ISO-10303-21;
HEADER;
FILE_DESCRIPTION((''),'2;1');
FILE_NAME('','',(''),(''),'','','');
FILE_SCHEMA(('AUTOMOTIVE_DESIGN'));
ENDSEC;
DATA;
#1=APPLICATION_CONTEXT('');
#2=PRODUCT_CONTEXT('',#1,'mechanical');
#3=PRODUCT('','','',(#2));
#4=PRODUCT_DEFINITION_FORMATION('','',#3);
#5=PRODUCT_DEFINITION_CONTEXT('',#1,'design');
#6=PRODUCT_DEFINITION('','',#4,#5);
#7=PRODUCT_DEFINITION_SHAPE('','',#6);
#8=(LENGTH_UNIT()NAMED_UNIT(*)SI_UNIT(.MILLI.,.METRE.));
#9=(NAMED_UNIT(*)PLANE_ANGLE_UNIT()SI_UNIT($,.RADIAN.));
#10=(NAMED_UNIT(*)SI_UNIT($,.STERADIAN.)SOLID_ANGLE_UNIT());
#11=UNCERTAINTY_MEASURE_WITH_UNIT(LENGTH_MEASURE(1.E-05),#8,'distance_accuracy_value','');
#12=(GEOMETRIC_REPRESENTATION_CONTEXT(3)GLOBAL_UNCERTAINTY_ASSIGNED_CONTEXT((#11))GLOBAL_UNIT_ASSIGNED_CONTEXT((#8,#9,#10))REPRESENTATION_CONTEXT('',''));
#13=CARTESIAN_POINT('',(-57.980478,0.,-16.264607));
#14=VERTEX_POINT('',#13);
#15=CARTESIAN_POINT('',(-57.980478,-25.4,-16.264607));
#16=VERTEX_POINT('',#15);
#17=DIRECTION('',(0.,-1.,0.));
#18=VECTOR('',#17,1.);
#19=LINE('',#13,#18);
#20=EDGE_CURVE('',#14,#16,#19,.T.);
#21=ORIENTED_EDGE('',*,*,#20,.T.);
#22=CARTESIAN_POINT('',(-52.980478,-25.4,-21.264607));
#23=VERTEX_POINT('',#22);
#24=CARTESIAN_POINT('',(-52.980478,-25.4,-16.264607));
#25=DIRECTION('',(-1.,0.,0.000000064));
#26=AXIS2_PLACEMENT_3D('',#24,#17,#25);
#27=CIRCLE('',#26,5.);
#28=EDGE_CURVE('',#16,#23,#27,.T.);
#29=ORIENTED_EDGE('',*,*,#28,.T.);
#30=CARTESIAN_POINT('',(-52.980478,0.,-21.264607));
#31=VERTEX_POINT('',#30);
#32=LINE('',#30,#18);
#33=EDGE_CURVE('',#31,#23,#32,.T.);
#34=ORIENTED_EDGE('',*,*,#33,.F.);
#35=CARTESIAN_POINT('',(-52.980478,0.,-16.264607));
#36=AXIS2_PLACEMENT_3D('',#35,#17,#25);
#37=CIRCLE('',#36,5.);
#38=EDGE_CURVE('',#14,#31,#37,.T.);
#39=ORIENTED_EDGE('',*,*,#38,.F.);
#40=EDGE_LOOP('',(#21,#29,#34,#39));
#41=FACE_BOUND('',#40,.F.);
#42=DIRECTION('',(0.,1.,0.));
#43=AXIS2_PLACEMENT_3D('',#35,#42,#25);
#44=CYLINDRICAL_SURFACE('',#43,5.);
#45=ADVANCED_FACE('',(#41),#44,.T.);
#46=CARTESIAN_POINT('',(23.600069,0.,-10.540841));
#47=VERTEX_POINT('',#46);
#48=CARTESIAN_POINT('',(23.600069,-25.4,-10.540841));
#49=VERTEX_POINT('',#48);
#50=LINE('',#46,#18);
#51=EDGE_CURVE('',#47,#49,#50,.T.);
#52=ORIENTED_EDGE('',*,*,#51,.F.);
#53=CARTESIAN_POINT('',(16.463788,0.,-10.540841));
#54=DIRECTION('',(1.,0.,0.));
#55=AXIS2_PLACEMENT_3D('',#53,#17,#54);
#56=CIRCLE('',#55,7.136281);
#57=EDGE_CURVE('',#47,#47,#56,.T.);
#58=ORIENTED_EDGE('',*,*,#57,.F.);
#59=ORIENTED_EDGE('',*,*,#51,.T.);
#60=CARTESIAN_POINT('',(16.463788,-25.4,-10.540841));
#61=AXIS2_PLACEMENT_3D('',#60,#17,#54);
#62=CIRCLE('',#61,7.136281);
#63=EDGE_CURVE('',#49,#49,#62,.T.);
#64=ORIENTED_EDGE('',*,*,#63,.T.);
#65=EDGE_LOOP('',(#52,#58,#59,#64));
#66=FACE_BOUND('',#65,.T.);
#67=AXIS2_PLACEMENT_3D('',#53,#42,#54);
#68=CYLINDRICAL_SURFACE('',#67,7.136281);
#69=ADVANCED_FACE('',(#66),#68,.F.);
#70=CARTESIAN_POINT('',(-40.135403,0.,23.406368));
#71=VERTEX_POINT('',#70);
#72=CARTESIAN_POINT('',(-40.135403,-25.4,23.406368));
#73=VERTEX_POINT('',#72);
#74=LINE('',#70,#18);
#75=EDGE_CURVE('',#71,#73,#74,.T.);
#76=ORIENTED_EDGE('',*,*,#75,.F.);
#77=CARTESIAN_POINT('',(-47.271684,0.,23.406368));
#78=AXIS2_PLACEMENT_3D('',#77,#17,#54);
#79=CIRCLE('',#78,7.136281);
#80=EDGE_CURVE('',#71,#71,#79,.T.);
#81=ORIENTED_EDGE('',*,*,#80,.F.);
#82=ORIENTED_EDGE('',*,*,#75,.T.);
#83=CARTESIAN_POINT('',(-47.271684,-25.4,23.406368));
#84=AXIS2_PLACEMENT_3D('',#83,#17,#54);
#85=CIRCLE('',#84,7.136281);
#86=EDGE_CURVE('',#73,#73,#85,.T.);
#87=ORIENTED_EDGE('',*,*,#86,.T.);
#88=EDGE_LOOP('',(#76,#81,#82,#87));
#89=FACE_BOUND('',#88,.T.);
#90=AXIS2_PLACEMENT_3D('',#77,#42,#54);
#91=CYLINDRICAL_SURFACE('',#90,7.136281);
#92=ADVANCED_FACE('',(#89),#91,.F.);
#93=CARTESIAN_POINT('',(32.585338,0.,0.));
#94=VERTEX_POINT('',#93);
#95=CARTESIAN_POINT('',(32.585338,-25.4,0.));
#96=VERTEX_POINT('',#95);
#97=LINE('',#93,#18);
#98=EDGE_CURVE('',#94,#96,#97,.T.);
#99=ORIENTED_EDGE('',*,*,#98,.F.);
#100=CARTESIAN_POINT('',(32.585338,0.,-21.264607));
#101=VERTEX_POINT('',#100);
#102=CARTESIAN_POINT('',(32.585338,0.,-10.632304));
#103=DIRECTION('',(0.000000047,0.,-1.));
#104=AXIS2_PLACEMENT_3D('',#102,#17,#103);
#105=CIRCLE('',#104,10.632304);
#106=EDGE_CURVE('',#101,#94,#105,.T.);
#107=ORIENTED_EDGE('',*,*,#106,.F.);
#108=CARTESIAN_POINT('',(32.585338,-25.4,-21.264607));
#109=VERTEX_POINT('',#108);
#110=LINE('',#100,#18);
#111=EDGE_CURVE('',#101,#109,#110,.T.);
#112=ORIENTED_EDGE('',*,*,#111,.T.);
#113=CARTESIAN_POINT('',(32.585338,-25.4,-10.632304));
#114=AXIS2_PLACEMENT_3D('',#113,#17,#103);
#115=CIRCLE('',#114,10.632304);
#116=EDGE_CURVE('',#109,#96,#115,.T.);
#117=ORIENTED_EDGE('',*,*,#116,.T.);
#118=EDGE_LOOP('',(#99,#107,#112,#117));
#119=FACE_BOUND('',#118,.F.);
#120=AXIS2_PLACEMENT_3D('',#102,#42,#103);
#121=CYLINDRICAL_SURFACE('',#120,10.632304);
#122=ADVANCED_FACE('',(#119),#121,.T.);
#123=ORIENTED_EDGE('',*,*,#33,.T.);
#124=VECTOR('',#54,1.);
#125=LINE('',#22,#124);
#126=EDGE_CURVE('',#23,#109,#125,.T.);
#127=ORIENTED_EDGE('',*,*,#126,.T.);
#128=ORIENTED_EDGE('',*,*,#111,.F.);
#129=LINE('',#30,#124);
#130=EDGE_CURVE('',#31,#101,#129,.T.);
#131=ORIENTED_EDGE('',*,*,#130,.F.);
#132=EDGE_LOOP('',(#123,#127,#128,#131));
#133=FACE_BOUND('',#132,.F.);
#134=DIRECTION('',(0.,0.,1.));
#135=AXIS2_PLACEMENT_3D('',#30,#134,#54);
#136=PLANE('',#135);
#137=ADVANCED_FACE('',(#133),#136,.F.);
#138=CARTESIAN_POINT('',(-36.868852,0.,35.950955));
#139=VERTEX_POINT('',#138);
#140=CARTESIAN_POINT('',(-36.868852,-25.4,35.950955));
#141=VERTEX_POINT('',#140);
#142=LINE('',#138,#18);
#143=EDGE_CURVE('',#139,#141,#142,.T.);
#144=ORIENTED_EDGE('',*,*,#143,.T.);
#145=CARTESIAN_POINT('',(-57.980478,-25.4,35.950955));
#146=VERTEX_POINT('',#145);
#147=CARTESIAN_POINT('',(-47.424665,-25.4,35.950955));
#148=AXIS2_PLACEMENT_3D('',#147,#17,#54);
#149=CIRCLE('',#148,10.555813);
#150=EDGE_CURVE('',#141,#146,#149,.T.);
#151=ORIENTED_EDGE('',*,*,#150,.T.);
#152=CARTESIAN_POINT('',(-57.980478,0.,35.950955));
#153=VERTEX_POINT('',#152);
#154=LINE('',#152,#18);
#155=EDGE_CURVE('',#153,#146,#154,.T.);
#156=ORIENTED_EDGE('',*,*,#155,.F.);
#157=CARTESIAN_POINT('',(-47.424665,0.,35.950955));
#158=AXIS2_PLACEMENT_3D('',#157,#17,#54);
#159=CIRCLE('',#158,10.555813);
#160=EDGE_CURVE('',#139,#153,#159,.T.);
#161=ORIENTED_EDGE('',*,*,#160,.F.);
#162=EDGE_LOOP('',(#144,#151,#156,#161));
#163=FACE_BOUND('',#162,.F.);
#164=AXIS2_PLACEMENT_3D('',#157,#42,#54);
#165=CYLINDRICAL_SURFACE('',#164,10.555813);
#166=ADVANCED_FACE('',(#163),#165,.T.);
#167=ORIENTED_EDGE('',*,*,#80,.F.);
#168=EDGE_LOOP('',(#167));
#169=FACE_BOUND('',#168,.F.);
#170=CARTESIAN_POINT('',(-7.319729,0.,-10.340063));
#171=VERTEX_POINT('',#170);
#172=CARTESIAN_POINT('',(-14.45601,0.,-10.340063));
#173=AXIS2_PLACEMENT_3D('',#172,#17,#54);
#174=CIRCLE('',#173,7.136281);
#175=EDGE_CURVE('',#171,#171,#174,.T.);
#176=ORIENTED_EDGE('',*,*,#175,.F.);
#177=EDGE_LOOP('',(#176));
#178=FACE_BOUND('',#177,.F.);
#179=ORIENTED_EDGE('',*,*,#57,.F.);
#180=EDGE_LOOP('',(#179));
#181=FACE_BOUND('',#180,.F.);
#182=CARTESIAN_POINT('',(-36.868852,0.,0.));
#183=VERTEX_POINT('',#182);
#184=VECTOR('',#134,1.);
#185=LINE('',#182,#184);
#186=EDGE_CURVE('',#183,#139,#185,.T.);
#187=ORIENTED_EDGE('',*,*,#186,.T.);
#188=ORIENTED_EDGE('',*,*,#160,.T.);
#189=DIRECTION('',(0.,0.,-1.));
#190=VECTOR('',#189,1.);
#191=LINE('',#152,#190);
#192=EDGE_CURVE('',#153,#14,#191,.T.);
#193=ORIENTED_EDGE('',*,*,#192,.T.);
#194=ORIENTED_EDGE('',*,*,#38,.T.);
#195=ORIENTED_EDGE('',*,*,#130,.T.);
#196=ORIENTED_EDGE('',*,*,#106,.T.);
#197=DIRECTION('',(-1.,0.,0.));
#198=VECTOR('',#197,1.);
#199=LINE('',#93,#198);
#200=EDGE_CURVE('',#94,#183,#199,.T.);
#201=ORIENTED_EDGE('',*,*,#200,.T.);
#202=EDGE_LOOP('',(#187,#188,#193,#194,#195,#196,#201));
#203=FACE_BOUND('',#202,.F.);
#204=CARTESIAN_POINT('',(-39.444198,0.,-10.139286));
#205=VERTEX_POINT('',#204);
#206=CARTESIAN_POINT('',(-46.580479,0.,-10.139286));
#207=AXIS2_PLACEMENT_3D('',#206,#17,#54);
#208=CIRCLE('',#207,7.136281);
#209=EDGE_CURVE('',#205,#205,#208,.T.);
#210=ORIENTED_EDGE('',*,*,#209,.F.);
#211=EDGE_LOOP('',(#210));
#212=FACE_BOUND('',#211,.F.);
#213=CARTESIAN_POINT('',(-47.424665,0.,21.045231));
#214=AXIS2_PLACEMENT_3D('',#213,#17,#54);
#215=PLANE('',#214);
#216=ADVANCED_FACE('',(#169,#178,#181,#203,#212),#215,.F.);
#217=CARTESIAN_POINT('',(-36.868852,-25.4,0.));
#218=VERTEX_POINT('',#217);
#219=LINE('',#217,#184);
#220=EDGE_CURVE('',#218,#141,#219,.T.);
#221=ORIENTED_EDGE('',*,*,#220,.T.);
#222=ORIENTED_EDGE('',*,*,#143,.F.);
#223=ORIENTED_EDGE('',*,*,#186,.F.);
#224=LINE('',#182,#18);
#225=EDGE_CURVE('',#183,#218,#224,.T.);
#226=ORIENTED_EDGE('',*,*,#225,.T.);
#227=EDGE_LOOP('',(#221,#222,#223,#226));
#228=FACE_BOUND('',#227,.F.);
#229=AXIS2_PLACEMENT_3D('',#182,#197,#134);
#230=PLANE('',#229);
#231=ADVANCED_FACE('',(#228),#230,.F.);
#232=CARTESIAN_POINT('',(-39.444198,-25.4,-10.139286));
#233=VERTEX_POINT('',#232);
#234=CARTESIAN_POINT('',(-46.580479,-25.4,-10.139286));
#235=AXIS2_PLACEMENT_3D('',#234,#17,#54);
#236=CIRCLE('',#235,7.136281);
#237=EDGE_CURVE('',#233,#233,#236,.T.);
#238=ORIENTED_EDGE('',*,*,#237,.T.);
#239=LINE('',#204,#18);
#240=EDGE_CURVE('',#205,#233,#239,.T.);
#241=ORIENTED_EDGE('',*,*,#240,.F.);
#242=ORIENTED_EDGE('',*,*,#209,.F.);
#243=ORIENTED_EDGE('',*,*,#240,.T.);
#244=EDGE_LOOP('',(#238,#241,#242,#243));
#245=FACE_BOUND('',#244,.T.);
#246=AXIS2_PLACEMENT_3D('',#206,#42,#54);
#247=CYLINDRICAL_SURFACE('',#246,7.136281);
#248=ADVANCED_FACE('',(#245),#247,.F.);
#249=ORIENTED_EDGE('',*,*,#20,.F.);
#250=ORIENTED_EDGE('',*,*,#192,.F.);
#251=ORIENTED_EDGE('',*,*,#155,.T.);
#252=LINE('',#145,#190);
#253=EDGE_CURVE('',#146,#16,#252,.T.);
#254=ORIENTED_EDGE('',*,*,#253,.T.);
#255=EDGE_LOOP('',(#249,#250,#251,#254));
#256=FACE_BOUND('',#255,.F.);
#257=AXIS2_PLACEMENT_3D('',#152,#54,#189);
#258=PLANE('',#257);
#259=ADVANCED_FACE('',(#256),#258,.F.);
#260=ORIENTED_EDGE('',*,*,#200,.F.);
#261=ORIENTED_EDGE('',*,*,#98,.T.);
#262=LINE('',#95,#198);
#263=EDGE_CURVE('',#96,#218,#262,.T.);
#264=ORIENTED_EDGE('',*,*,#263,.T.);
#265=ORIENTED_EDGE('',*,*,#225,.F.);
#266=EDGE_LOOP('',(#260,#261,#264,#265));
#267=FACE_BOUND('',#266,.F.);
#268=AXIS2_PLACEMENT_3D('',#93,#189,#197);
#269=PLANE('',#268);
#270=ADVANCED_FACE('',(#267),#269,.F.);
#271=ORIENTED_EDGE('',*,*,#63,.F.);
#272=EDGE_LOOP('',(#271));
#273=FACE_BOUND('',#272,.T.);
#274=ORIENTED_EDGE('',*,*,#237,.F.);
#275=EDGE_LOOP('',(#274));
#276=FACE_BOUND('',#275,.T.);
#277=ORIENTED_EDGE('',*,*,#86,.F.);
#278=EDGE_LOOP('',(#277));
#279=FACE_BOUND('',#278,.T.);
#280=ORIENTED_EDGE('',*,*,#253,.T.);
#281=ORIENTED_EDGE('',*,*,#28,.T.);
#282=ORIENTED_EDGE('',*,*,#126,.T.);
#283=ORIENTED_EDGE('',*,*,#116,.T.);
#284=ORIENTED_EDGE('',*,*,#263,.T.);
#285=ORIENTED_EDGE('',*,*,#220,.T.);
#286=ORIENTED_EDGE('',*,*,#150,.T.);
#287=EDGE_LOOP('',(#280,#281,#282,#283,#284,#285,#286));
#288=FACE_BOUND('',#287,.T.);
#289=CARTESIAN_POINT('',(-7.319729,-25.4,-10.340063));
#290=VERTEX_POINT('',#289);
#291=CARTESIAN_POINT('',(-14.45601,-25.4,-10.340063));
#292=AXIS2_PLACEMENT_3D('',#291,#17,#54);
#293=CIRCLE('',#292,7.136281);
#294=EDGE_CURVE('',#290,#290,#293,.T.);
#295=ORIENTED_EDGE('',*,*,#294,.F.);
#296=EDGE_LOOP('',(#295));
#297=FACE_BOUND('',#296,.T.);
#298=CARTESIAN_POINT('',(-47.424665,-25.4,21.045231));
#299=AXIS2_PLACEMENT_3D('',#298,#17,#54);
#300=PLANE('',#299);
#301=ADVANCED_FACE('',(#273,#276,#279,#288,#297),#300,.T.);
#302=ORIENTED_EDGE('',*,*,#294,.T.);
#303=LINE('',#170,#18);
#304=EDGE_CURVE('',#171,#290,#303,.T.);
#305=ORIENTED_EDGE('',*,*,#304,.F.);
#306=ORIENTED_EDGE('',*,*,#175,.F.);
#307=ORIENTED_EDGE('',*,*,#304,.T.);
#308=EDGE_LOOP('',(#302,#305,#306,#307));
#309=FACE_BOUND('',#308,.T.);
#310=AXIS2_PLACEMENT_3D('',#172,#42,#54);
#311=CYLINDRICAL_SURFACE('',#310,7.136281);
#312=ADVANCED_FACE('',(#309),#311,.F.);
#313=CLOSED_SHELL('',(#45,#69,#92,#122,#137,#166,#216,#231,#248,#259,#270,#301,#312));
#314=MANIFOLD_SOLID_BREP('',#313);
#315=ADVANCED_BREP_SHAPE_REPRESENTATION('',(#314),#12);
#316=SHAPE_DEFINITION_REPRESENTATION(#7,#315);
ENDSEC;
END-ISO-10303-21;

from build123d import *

# Parameters (mm, degrees)
F0_R     = 7.136281
F1_DEPTH = 25.4


with BuildPart() as f1:
    # F0 (on Front) → F1 (new body)
    with BuildSketch(Plane.XZ):
        with BuildLine():
            Line((-57.980478, 35.950955), (-57.980478, 0))
            Line((-57.980478, 0), (-36.868852, 0))
            Line((-36.868852, 0), (-36.868852, 35.950955))
            ThreePointArc((-36.868852, 35.950955), (-47.424665, 46.506768), (-57.980478, 35.950955))
        make_face()
        with Locations((-47.271684, 23.406368)):
            Circle(F0_R, mode=Mode.SUBTRACT)
        with BuildLine():
            Line((-36.868852, 0), (-57.980478, 0))
            Line((-57.980478, 0), (-57.980478, -16.264607))
            ThreePointArc((-57.980478, -16.264607), (-56.516012, -19.800141), (-52.980478, -21.264607))
            Line((-52.980478, -21.264607), (32.585338, -21.264607))
            ThreePointArc((32.585338, -21.264607), (43.217641, -10.632304), (32.585338, 0))
            Line((32.585338, 0), (-36.868852, 0))
        make_face()
        with Locations((-46.580479, -10.139286)):
            Circle(F0_R, mode=Mode.SUBTRACT)
        with Locations((-14.45601, -10.340063)):
            Circle(F0_R, mode=Mode.SUBTRACT)
        with Locations((16.463788, -10.540841)):
            Circle(F0_R, mode=Mode.SUBTRACT)
    extrude(amount=F1_DEPTH)


solid = f1.part
